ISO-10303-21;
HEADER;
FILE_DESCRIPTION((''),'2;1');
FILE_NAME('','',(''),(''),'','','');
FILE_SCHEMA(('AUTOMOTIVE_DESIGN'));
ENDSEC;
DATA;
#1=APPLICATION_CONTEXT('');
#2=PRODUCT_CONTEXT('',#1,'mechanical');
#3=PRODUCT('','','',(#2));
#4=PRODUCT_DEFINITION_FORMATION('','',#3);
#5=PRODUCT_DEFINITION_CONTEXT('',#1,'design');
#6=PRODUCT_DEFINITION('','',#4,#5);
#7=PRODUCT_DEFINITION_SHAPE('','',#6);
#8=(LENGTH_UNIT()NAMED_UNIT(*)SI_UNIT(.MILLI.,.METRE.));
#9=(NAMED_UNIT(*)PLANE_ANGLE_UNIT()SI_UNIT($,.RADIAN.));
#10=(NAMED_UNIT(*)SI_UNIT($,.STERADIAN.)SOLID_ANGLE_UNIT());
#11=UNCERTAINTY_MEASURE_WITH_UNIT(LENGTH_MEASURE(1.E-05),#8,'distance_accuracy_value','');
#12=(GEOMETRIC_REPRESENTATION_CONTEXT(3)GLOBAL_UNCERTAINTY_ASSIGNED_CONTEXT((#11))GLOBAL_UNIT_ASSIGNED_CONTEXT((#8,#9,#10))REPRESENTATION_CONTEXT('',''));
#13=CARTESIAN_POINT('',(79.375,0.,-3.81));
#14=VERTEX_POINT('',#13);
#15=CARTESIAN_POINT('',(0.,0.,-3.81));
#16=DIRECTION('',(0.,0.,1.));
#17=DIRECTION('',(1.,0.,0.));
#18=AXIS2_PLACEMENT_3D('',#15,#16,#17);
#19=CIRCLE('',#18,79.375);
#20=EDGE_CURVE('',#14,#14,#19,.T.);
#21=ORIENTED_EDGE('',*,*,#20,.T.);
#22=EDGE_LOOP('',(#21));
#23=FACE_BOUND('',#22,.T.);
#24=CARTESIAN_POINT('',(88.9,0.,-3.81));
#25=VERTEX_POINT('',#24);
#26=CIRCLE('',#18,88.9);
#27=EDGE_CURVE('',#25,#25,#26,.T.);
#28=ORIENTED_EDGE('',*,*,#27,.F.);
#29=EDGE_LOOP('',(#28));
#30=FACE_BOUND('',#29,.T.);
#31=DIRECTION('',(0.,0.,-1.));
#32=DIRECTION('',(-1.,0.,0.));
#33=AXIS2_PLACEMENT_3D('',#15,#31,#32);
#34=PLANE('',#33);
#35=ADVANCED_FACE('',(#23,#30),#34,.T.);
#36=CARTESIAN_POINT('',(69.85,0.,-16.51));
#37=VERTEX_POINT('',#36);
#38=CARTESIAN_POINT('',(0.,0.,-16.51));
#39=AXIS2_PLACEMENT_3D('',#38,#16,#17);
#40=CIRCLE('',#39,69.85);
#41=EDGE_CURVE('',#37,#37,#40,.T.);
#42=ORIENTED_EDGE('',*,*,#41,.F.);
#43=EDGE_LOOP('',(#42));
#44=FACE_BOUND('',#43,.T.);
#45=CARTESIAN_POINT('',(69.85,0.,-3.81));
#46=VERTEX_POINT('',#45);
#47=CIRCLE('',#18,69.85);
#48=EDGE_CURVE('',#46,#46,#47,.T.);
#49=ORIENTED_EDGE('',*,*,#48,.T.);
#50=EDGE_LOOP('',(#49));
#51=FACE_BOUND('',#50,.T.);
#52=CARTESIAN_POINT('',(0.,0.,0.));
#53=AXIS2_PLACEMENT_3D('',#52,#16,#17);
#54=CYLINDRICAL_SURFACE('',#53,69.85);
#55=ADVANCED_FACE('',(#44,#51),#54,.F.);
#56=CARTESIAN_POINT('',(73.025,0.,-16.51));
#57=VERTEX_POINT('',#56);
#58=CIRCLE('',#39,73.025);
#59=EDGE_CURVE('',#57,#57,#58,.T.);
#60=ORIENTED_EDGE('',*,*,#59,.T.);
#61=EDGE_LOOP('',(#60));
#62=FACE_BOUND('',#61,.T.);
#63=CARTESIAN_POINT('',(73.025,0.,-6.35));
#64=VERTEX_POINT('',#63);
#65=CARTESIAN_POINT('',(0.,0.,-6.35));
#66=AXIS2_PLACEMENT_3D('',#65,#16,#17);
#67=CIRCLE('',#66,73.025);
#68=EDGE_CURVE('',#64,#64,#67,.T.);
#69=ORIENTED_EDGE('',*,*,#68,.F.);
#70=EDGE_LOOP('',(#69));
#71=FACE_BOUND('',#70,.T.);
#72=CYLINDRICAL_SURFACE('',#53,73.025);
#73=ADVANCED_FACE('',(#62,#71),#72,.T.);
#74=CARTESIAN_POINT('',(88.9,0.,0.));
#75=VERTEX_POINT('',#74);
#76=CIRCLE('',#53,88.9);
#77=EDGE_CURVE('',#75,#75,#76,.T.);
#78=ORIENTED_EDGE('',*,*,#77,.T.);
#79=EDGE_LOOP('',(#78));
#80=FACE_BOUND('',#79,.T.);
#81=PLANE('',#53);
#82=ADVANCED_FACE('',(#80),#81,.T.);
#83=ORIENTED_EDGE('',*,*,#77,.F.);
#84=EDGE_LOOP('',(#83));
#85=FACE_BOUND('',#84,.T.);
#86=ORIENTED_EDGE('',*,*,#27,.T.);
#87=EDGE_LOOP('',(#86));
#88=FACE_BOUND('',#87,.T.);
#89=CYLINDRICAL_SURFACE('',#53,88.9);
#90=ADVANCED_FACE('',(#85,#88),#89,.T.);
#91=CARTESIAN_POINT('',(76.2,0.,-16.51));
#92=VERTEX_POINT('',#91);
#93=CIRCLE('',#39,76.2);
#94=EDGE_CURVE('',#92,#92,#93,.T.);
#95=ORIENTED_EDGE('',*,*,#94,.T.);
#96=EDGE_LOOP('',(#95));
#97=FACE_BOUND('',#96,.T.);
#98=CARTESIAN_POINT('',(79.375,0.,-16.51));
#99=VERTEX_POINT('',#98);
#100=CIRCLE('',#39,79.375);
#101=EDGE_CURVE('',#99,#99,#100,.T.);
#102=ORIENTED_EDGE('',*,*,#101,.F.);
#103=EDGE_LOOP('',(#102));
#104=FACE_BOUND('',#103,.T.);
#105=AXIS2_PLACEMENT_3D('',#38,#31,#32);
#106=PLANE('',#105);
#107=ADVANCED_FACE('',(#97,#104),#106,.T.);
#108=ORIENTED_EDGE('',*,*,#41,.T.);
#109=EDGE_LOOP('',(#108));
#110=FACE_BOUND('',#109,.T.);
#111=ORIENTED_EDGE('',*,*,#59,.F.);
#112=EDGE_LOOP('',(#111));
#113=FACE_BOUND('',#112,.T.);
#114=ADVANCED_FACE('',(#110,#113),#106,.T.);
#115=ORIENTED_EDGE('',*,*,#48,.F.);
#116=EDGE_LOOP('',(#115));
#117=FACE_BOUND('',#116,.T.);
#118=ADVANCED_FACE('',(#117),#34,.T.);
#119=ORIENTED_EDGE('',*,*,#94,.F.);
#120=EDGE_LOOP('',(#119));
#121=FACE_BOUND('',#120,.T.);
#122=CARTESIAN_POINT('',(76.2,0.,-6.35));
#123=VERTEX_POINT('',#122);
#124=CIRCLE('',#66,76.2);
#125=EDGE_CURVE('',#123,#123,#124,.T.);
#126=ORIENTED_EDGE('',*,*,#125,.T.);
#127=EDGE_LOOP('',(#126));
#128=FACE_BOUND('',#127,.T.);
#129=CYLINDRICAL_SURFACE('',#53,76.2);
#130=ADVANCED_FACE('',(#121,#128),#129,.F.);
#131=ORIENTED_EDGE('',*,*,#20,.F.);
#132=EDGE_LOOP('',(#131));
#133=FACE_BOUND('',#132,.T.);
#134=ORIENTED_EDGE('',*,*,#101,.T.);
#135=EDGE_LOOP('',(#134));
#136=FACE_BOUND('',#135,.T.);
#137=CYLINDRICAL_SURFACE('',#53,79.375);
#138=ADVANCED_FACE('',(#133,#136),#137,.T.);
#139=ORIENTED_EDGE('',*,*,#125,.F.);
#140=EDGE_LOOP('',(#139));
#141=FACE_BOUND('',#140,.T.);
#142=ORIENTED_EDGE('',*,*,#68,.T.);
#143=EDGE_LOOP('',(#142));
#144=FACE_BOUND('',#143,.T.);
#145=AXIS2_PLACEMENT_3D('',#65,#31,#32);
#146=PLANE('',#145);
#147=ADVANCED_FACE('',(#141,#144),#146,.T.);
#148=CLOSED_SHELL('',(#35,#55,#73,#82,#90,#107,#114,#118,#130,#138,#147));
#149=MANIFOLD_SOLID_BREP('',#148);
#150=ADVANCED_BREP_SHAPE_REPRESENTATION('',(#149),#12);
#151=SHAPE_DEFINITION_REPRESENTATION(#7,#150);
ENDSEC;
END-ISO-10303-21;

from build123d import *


with BuildPart() as part:
    # Sketch2 → Revolve1 (revolve)
    with BuildSketch(Plane(origin=(0, 0, 0), x_dir=(1, 0, 0), z_dir=(0, 1, 0))):
        Polygon((-73.025, 16.51), (-69.85, 16.51), (-69.85, 3.81), (0, 3.81), (0, 0), (-88.9, 0), (-88.9, 3.81), (-79.375, 3.81), (-79.375, 16.51), (-76.2, 16.51), (-76.2, 6.35), (-73.025, 6.35), align=None)
    revolve(axis=Axis((0, 0, 0), (0, 0, -1)))


solid = part.part
